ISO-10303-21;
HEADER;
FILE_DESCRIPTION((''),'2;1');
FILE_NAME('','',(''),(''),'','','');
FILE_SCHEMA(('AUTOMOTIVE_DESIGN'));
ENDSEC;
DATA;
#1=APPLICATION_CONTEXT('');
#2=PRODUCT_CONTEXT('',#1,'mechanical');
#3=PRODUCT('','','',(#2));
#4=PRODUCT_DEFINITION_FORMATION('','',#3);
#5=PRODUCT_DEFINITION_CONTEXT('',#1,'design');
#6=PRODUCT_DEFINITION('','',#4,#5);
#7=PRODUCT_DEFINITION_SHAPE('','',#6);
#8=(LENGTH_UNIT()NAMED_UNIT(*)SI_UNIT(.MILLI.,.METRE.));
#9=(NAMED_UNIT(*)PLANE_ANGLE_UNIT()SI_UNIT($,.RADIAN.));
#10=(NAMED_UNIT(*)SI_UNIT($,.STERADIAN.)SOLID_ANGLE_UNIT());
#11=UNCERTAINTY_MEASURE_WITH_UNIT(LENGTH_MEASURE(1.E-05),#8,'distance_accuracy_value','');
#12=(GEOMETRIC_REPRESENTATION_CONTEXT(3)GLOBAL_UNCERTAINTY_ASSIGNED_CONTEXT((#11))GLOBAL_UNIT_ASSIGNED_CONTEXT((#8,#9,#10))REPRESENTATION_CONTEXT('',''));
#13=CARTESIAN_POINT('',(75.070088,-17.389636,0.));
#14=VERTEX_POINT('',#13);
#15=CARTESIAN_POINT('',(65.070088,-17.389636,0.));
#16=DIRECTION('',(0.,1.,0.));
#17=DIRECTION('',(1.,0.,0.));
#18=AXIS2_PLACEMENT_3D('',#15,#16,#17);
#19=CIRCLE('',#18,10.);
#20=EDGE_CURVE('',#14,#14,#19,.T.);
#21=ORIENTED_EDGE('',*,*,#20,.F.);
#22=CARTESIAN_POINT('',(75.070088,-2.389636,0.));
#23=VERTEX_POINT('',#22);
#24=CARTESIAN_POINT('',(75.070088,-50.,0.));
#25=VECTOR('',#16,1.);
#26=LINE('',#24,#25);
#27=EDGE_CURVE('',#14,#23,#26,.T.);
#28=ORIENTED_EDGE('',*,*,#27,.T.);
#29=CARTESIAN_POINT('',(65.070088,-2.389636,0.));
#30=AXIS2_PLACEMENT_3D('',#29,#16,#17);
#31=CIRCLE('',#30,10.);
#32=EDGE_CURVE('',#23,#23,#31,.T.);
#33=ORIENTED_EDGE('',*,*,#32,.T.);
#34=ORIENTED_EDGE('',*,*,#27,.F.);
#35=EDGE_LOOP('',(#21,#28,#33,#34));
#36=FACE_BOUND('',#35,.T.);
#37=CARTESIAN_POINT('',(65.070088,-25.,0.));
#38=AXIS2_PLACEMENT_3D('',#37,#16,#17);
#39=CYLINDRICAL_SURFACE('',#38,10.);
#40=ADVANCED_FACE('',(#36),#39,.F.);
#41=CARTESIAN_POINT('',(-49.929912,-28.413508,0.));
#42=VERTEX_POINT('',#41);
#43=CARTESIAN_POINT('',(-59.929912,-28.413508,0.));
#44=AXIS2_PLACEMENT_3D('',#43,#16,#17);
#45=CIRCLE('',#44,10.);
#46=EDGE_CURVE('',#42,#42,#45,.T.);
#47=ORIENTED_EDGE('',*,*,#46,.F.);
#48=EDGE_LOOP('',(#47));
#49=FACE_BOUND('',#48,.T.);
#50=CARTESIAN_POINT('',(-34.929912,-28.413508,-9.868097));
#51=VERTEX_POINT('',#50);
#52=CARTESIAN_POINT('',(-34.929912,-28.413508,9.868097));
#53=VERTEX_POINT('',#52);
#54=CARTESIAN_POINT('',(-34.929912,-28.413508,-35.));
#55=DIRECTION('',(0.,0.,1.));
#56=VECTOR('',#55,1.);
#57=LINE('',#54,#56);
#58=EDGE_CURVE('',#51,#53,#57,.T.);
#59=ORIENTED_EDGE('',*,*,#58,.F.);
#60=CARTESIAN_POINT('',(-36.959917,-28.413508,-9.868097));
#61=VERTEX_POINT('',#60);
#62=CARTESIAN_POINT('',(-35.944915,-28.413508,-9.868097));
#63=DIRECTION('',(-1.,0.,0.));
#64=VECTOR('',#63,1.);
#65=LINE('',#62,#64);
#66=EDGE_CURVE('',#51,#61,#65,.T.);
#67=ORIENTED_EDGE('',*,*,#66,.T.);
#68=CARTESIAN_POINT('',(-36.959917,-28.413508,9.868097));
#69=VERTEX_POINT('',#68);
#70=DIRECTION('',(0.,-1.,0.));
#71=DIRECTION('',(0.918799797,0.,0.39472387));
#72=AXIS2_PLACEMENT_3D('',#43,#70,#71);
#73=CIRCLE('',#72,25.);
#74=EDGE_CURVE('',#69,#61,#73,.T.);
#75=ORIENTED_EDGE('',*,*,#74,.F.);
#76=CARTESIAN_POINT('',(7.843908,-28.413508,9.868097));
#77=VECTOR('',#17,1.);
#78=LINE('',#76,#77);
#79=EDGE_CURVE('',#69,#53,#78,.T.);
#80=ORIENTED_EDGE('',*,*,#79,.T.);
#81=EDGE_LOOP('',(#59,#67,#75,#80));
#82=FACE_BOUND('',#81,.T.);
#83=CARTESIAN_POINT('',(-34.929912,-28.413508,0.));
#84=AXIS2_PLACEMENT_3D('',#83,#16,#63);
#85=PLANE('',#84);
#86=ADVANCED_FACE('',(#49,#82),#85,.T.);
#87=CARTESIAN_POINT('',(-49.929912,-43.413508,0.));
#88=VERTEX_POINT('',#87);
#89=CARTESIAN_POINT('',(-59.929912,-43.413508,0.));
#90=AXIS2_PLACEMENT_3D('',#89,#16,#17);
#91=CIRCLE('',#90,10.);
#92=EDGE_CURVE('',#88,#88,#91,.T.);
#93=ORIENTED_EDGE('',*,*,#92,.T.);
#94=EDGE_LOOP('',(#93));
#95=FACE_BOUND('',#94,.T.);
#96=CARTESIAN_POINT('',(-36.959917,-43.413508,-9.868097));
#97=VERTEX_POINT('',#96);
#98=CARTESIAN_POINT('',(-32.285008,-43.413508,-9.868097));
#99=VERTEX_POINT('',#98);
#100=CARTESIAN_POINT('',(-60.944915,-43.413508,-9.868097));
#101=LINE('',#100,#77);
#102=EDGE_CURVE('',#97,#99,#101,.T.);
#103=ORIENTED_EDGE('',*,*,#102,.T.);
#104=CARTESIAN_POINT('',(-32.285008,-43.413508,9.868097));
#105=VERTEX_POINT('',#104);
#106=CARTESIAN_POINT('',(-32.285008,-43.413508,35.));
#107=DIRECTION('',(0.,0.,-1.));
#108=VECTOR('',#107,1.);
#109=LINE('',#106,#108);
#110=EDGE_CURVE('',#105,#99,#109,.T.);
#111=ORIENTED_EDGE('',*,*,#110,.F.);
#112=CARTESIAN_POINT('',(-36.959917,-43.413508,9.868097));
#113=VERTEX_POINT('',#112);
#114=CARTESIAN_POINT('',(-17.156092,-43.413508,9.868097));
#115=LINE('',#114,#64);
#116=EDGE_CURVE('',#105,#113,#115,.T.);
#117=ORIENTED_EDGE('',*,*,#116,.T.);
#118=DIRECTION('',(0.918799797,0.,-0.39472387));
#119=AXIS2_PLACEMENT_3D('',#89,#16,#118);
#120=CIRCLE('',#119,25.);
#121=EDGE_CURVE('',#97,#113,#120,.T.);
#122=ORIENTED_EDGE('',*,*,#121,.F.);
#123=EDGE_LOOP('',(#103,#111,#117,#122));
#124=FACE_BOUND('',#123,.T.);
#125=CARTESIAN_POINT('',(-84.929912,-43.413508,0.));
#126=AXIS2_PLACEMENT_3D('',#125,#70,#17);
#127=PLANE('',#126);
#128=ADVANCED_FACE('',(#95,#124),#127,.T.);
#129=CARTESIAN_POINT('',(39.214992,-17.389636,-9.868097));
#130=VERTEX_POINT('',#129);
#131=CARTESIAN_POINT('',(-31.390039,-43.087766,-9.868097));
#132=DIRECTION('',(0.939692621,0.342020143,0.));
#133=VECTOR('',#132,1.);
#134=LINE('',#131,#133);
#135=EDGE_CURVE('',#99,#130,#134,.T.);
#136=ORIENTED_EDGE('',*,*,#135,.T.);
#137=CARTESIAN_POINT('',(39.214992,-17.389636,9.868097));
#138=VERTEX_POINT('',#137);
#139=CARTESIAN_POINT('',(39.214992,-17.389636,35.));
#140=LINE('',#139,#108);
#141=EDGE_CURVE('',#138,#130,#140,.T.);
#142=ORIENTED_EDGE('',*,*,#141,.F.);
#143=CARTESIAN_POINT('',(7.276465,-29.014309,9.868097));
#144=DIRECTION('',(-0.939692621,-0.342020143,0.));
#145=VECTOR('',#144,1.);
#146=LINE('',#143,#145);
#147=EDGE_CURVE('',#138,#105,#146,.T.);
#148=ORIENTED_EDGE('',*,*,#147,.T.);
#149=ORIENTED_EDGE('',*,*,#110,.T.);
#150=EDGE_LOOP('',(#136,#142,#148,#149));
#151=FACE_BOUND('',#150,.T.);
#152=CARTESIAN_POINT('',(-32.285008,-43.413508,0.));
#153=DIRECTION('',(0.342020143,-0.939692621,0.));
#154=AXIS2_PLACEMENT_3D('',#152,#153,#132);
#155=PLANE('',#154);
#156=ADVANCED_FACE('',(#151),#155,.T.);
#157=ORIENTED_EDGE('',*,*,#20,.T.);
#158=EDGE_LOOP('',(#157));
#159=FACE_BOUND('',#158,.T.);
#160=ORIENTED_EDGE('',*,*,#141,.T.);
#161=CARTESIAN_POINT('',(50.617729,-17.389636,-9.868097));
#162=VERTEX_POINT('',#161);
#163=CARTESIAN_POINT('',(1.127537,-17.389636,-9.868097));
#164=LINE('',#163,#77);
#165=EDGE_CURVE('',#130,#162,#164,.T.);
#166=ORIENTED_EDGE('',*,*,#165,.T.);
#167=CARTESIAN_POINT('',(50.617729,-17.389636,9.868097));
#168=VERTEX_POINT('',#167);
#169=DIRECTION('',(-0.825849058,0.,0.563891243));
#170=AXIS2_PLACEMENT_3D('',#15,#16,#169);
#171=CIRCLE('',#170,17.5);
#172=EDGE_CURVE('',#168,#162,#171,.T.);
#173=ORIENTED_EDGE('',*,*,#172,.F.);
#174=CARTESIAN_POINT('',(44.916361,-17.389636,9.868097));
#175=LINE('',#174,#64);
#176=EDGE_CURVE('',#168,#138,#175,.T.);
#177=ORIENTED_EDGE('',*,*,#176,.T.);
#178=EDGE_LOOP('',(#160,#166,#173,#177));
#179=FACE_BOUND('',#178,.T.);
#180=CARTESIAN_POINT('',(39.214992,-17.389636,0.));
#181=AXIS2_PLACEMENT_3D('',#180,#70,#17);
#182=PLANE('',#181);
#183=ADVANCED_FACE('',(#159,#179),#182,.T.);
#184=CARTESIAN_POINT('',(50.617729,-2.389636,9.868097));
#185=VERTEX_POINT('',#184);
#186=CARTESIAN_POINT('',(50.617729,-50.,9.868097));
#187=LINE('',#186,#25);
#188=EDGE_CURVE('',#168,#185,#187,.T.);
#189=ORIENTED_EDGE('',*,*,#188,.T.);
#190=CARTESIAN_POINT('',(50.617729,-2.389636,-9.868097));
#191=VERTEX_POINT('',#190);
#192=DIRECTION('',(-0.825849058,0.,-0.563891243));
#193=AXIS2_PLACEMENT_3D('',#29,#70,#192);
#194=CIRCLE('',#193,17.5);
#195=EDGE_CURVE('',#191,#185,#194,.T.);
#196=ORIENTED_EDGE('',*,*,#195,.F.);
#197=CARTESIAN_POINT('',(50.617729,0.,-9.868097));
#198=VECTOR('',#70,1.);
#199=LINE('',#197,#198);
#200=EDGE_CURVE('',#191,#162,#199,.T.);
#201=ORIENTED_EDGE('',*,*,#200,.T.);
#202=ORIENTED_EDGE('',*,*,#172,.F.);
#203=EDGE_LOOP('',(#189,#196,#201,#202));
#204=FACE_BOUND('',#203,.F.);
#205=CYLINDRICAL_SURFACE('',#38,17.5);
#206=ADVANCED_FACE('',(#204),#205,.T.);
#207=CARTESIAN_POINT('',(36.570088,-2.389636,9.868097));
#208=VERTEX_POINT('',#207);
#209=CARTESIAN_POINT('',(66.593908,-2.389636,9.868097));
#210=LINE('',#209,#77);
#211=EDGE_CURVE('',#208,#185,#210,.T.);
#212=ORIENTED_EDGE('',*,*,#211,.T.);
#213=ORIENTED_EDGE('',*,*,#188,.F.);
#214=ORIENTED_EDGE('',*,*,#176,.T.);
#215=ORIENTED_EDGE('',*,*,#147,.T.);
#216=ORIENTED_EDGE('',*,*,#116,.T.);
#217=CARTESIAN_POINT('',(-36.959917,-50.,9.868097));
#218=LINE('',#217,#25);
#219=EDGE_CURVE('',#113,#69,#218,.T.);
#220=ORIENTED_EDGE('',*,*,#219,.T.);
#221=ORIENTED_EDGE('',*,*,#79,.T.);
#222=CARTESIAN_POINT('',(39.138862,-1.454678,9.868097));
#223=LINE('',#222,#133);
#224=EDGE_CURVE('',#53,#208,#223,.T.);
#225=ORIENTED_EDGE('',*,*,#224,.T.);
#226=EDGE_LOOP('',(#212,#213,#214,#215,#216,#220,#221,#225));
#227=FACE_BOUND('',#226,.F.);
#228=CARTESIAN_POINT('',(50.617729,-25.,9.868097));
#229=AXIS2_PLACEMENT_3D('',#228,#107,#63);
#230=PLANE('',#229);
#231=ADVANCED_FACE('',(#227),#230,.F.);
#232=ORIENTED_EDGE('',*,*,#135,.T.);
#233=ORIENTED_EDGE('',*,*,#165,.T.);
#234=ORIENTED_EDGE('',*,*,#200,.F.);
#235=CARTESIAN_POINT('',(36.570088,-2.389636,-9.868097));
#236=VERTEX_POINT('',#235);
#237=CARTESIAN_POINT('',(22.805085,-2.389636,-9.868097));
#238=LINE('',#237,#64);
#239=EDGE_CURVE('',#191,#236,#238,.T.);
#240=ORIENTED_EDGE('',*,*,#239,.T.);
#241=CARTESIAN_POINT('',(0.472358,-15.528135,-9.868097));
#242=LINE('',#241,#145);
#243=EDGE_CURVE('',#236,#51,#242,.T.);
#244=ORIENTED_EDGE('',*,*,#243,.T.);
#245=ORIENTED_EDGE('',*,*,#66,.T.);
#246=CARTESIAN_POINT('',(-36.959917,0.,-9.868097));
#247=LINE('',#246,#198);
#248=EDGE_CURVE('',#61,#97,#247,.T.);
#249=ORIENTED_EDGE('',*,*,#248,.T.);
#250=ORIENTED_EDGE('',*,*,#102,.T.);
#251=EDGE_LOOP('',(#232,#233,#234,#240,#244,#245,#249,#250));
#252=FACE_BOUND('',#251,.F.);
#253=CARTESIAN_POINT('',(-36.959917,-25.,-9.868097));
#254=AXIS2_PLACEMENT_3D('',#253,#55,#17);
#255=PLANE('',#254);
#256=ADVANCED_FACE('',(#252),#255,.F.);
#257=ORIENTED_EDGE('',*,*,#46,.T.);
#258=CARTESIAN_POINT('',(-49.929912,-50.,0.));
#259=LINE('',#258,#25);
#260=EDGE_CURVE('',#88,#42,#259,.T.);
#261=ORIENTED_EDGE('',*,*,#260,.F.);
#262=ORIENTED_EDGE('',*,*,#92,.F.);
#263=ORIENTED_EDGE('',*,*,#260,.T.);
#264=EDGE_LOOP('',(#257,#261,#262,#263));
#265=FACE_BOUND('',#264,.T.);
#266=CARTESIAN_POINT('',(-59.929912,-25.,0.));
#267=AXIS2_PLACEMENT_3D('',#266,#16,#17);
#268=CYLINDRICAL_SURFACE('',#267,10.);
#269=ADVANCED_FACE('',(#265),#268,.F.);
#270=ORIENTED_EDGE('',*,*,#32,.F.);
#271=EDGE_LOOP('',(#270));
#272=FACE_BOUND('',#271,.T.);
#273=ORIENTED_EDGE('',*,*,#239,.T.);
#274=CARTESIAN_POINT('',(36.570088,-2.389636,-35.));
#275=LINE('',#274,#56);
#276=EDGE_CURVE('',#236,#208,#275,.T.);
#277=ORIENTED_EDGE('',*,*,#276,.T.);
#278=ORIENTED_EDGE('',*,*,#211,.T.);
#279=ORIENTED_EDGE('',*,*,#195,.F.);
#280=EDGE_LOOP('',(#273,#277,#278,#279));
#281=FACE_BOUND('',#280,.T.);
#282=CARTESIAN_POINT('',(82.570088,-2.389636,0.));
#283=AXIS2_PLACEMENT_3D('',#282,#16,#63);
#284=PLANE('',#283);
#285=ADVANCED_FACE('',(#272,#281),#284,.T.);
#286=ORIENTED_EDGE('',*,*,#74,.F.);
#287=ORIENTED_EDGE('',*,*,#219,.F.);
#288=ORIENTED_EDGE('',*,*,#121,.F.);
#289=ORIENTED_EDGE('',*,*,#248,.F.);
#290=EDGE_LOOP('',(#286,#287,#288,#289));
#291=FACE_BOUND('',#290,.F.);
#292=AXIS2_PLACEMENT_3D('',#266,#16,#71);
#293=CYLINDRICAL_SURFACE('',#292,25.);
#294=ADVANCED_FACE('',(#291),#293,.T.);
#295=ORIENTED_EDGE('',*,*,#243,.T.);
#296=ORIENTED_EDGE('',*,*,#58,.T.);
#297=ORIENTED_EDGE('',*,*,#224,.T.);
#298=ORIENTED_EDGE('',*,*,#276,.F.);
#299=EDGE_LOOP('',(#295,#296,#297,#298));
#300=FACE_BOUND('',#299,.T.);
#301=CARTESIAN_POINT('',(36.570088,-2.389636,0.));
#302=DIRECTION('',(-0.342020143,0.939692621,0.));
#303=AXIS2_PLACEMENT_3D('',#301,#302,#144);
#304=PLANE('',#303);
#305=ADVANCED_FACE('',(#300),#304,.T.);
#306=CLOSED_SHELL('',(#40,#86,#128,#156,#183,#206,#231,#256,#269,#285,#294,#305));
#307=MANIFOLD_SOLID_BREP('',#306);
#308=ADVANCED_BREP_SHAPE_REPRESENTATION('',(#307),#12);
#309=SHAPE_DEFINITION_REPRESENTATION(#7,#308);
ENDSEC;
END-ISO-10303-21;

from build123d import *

# Parameters (mm, degrees)
F0_R     = 10
F1_DEPTH = 25
F2_DEPTH = 25
F4_DEPTH = 35


with BuildPart() as f1:
    # F0 (on Front) → F1 (new body)
    with BuildSketch(Plane.XZ):
        with BuildLine():
            ThreePointArc((-36.9599174113, -9.8680967563), (-35.4426720485, -5.0373667286), (-34.9299123266, 0))
            ThreePointArc((-34.9299123266, 0), (-35.4426720485, 5.0373667286), (-36.9599174113, 9.8680967563))
            ThreePointArc((-36.9599174113, 9.8680967563), (-84.9299123266, 0), (-36.9599174113, -9.8680967563))
        make_face()
        with Locations((-59.9299123266, 0)):
            Circle(F0_R, mode=Mode.SUBTRACT)
        with BuildLine():
            ThreePointArc((-36.9599174113, 9.8680967563), (-35.4426720485, 5.0373667286), (-34.9299123266, 0))
            ThreePointArc((-34.9299123266, 0), (-35.4426720485, -5.0373667286), (-36.9599174113, -9.8680967563))
            Line((-36.9599174113, -9.8680967563), (50.6177291666, -9.8680967563))
            ThreePointArc((50.6177291666, -9.8680967563), (47.5700876734, 0), (50.6177291666, 9.8680967563))
            Line((50.6177291666, 9.8680967563), (-36.9599174113, 9.8680967563))
        make_face()
        with BuildLine():
            ThreePointArc((82.5700876734, 0), (70.2340844845, 16.7207397245), (50.6177291666, 9.8680967563))
            ThreePointArc((50.6177291666, 9.8680967563), (47.5700876734, 0), (50.6177291666, -9.8680967563))
            ThreePointArc((50.6177291666, -9.8680967563), (70.2340844845, -16.7207397245), (82.5700876734, 0))
        make_face()
        with Locations((65.0700876734, 0)):
            Circle(F0_R, mode=Mode.SUBTRACT)
    extrude(amount=F1_DEPTH)

    # F2 (add): a face of the model
    f2_faces = [f1.faces().sort_by_distance(p)[0] for p in [
        (-11.6027124374, -25, 0),
    ]]
    extrude(f2_faces, amount=F2_DEPTH)

    # F3 (on Top) → F4 (intersect, symmetric)
    with BuildSketch(Plane.XY):
        Polygon((82.5700876734, -17.3896358903), (82.5700876734, -2.3896358903), (36.5700876734, -2.3896358903), (-34.9299123266, -28.4135076404), (-84.9299123266, -28.4135076404), (-84.9299123266, -43.4135076404), (-32.285007616, -43.4135076404), (39.214992384, -17.3896358903), align=None)
    extrude(amount=F4_DEPTH, both=True, mode=Mode.INTERSECT)


solid = f1.part
